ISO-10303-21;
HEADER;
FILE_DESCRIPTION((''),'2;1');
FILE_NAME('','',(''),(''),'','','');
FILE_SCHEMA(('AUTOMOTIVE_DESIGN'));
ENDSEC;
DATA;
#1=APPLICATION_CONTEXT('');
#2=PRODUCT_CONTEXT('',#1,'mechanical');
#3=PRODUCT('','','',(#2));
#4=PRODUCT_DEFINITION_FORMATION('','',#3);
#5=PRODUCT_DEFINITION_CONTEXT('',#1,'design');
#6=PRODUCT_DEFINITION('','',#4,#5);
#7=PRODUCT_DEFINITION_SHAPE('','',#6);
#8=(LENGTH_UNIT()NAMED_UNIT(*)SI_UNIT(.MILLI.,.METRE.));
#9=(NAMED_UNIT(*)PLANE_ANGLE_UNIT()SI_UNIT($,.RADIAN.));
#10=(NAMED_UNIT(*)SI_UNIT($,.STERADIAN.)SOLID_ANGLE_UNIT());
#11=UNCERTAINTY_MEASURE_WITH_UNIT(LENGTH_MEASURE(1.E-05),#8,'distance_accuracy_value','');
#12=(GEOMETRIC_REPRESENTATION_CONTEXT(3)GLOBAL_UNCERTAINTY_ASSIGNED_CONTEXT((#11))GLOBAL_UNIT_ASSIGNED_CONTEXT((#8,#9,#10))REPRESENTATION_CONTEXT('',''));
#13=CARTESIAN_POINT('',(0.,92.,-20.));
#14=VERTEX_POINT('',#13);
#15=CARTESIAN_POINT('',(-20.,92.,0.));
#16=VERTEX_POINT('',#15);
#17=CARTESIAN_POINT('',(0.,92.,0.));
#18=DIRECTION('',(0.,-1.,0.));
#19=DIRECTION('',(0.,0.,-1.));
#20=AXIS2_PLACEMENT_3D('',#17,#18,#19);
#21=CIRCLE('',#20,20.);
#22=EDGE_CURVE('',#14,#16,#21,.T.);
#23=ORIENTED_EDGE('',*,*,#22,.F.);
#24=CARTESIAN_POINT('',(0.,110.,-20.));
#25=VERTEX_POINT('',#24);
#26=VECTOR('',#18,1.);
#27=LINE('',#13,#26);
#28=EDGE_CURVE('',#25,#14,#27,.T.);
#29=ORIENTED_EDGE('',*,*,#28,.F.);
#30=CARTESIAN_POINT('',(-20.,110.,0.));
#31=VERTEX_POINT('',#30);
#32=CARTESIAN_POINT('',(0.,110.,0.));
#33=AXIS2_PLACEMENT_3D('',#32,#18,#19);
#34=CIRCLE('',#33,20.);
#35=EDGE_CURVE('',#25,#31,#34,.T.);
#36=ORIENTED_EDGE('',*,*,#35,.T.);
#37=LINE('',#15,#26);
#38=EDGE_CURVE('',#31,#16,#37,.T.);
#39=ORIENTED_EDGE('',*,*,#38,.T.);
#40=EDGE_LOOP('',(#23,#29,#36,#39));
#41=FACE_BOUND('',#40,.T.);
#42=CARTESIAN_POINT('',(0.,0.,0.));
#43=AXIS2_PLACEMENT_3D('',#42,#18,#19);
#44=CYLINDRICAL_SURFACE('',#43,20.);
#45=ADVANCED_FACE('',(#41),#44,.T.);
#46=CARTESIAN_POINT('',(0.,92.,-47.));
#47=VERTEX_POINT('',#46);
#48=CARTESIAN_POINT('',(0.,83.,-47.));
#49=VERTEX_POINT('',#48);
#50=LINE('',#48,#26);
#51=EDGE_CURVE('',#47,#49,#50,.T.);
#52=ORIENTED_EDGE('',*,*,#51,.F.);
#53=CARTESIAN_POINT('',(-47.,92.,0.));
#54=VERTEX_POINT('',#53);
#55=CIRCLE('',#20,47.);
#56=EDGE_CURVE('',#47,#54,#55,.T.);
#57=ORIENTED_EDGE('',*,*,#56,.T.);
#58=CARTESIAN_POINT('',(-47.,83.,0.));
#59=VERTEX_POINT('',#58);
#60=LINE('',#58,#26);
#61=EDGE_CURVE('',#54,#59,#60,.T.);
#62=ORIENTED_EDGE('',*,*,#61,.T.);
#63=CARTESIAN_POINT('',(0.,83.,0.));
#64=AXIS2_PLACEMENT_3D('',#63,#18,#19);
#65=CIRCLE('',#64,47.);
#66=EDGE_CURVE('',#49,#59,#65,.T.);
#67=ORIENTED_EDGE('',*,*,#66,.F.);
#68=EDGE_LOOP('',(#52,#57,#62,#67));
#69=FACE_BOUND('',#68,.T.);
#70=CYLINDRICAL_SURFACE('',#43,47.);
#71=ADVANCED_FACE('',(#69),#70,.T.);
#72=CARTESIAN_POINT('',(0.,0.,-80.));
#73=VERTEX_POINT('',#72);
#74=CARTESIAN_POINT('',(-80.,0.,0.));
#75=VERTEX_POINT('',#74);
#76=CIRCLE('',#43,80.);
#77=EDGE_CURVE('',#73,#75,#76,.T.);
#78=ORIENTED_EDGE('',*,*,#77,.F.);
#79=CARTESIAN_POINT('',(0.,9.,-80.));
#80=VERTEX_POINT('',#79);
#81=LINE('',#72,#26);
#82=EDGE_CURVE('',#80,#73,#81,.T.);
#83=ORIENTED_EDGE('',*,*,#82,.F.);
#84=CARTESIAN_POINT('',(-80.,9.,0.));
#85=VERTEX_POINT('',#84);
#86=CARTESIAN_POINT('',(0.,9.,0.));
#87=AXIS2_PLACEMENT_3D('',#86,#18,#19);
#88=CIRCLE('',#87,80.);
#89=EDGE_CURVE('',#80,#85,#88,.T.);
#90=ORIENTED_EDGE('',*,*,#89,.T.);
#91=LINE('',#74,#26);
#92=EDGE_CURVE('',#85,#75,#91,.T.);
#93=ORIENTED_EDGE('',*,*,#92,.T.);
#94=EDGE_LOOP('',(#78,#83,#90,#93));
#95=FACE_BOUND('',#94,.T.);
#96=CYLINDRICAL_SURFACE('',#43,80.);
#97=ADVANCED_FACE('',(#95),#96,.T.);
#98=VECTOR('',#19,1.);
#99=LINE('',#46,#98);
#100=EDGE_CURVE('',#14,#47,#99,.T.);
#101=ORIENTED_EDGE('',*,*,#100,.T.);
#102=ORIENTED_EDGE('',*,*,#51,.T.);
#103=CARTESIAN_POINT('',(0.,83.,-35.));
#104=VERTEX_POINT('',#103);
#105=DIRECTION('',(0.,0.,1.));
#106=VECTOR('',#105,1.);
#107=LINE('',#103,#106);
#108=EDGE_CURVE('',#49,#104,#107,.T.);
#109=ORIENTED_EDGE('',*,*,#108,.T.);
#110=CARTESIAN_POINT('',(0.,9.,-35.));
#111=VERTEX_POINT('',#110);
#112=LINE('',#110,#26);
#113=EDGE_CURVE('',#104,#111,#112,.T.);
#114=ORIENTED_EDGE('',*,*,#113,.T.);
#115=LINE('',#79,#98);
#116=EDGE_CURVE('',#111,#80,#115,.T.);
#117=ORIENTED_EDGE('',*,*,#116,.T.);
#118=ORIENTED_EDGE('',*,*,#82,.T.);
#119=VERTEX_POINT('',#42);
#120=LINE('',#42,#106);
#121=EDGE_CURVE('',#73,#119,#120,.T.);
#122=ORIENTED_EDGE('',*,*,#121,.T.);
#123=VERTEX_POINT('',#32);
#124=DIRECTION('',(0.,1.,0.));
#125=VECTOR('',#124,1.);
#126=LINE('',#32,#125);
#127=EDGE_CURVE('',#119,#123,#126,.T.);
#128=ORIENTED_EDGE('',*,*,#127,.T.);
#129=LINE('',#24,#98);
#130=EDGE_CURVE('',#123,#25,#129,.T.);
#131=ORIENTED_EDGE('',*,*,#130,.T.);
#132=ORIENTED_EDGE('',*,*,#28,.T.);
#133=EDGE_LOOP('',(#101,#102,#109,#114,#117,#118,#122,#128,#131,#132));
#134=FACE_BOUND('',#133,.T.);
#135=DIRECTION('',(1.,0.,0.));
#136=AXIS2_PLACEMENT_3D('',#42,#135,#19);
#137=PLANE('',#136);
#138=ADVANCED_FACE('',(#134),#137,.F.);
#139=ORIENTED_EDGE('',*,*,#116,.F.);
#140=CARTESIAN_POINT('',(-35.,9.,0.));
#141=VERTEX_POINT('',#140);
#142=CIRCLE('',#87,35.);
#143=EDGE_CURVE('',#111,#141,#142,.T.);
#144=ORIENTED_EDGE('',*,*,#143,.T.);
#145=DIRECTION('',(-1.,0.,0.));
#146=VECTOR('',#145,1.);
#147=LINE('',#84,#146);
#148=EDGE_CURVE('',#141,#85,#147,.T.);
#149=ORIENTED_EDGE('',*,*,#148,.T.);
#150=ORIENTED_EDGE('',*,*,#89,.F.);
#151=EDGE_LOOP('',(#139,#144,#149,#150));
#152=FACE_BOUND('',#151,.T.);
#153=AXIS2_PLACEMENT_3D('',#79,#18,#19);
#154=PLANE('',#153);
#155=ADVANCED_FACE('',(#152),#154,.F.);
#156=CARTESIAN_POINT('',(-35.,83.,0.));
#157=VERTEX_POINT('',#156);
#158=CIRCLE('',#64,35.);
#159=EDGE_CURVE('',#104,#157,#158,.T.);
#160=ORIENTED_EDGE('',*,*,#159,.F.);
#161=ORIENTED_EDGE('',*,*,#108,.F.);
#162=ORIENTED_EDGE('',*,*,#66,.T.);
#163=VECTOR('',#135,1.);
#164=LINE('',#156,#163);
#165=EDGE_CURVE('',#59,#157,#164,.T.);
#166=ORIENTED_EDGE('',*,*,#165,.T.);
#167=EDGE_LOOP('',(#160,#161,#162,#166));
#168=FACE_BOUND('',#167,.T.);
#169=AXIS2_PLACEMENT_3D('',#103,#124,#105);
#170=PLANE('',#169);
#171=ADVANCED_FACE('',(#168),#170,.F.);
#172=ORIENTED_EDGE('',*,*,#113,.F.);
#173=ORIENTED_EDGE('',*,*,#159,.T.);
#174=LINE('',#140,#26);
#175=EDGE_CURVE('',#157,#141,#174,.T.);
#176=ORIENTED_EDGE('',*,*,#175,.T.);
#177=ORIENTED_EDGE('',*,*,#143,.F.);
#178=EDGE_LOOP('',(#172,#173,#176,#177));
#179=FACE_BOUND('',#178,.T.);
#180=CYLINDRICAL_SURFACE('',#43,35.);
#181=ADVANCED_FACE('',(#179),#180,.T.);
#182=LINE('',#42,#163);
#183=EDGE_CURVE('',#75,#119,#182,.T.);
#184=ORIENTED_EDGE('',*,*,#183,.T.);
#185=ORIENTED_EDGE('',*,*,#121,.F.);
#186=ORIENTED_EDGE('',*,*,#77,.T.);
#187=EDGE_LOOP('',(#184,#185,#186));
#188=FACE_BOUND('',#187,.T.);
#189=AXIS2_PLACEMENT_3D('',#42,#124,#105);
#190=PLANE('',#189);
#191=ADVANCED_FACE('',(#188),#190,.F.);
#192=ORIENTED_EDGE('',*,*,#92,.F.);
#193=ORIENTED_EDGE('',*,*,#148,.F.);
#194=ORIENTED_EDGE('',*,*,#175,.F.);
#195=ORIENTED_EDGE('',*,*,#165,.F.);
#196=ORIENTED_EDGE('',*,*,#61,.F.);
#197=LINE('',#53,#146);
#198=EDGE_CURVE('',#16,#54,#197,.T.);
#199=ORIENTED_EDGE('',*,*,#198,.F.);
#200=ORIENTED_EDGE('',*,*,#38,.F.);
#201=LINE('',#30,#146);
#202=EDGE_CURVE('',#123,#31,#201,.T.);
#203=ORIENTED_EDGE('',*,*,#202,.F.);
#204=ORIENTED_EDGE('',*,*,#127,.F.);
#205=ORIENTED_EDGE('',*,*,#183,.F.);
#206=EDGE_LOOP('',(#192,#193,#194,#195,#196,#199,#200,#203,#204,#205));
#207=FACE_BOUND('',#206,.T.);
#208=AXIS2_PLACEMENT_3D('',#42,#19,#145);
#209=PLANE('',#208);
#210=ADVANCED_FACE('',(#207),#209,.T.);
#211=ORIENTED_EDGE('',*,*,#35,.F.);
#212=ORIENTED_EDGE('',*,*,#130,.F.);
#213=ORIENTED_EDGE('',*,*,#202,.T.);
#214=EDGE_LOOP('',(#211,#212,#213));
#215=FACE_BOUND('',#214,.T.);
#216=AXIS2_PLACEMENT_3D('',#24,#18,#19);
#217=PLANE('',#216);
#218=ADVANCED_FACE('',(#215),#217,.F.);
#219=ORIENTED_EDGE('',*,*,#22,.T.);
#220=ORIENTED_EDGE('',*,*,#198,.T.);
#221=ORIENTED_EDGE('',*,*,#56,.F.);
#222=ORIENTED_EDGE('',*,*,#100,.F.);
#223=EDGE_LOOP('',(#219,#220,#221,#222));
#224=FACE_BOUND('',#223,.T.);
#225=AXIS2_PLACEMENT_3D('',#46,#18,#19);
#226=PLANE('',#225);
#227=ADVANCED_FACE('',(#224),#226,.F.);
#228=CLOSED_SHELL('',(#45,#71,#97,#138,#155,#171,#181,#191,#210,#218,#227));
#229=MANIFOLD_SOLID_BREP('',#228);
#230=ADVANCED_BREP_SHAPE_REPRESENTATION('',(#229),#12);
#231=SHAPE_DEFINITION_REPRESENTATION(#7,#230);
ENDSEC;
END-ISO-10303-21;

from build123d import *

# Parameters (mm, degrees)
REVOLVE1_ANGLE = 270


with BuildPart() as part:
    # Sketch1 → Revolve1 (revolve)
    with BuildSketch(Plane.XY):
        Polygon((0, 0), (-80, 0), (-80, 9), (-35, 9), (-35, 83), (-47, 83), (-47, 92), (-20, 92), (-20, 110), (0, 110), align=None)
    revolve(axis=Axis((0, 0, 0), (0, 1, 0)), revolution_arc=REVOLVE1_ANGLE)


solid = part.part
